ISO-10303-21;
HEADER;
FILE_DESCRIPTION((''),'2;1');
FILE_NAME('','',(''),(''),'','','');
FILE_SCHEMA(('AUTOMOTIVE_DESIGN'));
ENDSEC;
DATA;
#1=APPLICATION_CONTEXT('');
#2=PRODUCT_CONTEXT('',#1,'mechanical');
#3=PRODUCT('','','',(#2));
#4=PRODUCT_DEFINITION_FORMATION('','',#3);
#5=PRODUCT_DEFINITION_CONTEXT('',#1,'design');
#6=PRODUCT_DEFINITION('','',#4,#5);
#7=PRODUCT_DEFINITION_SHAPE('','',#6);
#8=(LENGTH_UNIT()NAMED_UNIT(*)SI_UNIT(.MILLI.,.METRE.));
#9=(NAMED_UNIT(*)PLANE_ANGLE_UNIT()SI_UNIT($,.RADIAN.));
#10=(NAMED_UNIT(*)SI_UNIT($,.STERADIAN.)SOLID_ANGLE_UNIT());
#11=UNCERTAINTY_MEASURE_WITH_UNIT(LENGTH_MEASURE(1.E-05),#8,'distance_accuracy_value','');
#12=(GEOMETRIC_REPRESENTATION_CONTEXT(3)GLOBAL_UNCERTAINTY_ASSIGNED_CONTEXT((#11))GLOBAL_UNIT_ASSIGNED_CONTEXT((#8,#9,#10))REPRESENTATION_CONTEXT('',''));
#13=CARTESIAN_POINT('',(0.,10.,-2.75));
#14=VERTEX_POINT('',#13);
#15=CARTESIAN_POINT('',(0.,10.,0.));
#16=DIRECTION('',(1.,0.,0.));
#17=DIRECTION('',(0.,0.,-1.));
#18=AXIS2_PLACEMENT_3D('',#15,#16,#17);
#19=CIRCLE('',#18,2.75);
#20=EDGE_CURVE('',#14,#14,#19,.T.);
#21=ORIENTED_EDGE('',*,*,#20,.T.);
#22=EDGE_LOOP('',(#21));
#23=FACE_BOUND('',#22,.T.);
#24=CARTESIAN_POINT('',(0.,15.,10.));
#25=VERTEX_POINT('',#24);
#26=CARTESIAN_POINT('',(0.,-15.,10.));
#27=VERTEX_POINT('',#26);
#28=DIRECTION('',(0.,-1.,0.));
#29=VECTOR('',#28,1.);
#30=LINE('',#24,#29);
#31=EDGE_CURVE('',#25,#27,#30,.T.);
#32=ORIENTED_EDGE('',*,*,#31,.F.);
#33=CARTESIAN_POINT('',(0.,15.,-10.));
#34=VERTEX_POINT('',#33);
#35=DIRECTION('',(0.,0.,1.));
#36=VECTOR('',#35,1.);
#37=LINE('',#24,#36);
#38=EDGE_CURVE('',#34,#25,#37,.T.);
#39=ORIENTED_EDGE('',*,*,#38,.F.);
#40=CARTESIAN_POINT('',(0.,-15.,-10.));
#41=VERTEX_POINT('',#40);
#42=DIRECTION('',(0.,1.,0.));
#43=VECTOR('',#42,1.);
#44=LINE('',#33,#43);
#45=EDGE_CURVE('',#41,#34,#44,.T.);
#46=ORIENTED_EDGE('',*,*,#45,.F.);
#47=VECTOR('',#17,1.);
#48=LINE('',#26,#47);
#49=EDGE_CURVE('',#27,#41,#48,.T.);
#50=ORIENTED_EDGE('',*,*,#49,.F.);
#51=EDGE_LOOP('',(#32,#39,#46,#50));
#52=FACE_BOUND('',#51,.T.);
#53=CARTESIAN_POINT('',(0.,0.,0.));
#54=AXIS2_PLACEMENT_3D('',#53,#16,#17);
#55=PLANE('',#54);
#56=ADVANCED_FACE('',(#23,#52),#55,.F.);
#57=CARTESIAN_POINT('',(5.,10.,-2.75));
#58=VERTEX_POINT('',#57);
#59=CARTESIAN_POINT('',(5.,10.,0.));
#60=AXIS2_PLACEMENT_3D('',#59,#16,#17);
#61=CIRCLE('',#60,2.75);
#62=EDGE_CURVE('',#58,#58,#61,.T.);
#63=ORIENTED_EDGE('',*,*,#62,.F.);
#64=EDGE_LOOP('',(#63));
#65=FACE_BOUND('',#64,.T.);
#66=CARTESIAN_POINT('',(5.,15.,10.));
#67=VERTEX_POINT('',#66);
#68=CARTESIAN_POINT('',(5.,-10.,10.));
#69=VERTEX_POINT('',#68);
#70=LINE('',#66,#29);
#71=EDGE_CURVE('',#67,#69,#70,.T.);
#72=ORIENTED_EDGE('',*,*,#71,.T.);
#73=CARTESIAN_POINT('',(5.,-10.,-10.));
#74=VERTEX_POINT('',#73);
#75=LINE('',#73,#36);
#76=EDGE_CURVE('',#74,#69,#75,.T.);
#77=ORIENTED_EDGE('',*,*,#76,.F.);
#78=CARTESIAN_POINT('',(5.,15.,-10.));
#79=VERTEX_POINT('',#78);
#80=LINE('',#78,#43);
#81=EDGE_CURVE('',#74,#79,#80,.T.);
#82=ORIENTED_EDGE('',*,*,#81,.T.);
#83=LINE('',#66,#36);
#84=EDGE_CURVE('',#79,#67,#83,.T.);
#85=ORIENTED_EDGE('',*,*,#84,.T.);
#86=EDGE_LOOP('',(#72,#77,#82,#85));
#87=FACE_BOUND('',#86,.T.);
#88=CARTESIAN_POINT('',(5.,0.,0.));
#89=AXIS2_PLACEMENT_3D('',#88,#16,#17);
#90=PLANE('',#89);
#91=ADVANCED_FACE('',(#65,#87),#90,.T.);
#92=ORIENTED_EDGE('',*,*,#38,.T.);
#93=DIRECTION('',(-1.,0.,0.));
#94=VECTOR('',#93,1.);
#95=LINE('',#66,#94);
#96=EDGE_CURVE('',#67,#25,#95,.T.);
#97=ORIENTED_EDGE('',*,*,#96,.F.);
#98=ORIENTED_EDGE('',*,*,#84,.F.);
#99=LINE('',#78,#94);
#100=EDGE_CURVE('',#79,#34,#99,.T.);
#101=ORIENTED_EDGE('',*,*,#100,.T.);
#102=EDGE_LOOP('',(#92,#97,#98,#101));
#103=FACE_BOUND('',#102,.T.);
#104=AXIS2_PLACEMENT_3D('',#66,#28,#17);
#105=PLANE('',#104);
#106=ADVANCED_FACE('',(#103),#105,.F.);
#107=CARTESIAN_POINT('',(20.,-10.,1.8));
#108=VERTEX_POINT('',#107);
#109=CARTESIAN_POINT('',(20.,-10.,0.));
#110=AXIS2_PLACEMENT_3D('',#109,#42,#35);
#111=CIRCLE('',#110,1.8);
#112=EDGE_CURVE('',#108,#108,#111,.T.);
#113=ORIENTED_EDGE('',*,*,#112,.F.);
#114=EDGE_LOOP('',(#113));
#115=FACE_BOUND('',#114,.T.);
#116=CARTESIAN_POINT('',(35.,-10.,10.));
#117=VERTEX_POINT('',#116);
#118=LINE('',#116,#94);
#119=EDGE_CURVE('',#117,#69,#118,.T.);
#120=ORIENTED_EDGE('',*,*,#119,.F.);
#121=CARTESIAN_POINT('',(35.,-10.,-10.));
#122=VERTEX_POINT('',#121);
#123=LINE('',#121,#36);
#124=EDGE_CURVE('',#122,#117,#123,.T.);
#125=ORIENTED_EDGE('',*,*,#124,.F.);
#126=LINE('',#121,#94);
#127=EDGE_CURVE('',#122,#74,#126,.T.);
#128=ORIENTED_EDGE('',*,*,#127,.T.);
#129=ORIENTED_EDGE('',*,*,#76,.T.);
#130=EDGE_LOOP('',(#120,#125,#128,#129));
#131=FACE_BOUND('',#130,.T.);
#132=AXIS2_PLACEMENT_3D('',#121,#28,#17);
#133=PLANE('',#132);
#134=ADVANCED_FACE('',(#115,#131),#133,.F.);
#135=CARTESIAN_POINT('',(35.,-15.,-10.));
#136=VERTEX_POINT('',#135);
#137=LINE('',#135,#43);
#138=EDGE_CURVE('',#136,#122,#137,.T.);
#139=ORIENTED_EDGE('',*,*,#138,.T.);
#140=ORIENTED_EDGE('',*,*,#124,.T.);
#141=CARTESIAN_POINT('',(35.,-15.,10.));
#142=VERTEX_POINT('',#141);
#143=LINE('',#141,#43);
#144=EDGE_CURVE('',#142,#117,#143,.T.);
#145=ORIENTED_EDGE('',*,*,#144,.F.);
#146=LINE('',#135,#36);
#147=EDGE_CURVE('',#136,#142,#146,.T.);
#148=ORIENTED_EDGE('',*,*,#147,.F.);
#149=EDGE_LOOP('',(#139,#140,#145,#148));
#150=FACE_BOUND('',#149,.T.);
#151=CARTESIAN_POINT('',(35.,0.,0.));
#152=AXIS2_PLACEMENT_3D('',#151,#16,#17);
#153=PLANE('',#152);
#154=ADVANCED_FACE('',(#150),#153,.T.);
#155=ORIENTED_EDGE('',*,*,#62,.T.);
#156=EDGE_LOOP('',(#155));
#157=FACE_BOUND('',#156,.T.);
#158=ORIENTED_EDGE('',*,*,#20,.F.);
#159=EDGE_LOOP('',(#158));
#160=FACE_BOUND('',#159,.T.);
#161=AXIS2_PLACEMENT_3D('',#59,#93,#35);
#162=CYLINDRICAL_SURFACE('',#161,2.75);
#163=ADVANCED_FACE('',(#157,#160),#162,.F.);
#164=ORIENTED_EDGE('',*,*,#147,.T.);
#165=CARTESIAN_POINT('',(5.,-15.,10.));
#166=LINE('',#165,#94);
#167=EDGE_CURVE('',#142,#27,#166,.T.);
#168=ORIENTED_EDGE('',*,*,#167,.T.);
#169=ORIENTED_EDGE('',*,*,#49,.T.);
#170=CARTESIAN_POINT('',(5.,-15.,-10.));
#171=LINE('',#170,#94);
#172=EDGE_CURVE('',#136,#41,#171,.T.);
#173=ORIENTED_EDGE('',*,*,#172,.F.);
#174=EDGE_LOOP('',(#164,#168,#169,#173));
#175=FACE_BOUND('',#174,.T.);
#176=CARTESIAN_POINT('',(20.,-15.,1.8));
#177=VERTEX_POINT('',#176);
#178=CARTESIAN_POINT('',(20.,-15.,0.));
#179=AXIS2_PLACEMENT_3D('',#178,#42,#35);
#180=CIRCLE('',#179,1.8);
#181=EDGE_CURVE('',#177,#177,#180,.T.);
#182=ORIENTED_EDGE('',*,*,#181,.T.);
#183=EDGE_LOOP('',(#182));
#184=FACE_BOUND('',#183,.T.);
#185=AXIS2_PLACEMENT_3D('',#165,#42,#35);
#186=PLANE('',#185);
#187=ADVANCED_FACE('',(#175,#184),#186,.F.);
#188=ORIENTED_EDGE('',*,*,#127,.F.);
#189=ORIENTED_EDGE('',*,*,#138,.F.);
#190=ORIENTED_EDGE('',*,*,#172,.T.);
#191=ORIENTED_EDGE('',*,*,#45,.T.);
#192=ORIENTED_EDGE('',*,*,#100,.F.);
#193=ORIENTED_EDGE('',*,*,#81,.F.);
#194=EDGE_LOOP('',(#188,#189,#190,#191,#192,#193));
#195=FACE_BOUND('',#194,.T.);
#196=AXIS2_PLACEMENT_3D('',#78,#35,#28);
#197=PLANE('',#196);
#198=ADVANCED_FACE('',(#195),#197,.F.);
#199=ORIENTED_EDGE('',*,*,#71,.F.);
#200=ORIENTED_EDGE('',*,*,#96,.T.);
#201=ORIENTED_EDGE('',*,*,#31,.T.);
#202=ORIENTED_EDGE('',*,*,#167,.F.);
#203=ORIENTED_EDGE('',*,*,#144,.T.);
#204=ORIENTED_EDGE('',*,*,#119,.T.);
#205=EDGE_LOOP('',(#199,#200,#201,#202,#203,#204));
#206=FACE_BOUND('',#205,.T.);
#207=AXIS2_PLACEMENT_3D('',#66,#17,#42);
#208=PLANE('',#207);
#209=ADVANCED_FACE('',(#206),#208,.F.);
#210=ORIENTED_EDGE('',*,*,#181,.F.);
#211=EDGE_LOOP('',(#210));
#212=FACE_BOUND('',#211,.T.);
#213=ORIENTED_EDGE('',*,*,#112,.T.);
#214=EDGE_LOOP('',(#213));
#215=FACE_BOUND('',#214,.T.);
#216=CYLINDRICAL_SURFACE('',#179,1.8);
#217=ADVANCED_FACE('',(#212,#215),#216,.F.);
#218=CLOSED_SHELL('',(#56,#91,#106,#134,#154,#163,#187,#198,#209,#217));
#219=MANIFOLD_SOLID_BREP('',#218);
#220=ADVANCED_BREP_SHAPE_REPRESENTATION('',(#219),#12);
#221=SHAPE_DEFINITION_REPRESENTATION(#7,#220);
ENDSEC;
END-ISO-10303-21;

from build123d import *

# Parameters (mm, degrees)
SKETCH_5_W          = 20
SKETCH_5_H          = 30
SKETCH_5_R          = 2.75
EXTRUDE_1_DEPTH     = 5
SKETCH_6_W          = 20
SKETCH_6_H          = 5
EXTRUDE_2_DEPTH     = 30
SKETCH_7_R          = 1.8
CUT_EXTRUDE_1_DEPTH = 6


with BuildPart() as part:
    # 草图5 → 凸台-拉伸1 (new body)
    with BuildSketch(Plane(origin=(0, 0, 0), x_dir=(0, 0, -1), z_dir=(1, 0, 0))):
        Rectangle(SKETCH_5_W, SKETCH_5_H)
        with Locations((0, 10)):
            Circle(SKETCH_5_R, mode=Mode.SUBTRACT)
    extrude(amount=EXTRUDE_1_DEPTH)

    # 草图6 → 凸台-拉伸2 (add)
    with BuildSketch(Plane(origin=(5, 0, 0), x_dir=(0, 0, -1), z_dir=(1, 0, 0))):
        with Locations((0, -12.5)):
            Rectangle(SKETCH_6_W, SKETCH_6_H)
    extrude(amount=EXTRUDE_2_DEPTH)

    # 草图7 → 切除-拉伸1 (cut, through all)
    with BuildSketch(Plane(origin=(0, -10, 0), x_dir=(1, 0, 0), z_dir=(0, 1, 0))):
        with Locations((20, 0)):
            Circle(SKETCH_7_R)
    extrude(amount=-CUT_EXTRUDE_1_DEPTH, mode=Mode.SUBTRACT)


solid = part.part
